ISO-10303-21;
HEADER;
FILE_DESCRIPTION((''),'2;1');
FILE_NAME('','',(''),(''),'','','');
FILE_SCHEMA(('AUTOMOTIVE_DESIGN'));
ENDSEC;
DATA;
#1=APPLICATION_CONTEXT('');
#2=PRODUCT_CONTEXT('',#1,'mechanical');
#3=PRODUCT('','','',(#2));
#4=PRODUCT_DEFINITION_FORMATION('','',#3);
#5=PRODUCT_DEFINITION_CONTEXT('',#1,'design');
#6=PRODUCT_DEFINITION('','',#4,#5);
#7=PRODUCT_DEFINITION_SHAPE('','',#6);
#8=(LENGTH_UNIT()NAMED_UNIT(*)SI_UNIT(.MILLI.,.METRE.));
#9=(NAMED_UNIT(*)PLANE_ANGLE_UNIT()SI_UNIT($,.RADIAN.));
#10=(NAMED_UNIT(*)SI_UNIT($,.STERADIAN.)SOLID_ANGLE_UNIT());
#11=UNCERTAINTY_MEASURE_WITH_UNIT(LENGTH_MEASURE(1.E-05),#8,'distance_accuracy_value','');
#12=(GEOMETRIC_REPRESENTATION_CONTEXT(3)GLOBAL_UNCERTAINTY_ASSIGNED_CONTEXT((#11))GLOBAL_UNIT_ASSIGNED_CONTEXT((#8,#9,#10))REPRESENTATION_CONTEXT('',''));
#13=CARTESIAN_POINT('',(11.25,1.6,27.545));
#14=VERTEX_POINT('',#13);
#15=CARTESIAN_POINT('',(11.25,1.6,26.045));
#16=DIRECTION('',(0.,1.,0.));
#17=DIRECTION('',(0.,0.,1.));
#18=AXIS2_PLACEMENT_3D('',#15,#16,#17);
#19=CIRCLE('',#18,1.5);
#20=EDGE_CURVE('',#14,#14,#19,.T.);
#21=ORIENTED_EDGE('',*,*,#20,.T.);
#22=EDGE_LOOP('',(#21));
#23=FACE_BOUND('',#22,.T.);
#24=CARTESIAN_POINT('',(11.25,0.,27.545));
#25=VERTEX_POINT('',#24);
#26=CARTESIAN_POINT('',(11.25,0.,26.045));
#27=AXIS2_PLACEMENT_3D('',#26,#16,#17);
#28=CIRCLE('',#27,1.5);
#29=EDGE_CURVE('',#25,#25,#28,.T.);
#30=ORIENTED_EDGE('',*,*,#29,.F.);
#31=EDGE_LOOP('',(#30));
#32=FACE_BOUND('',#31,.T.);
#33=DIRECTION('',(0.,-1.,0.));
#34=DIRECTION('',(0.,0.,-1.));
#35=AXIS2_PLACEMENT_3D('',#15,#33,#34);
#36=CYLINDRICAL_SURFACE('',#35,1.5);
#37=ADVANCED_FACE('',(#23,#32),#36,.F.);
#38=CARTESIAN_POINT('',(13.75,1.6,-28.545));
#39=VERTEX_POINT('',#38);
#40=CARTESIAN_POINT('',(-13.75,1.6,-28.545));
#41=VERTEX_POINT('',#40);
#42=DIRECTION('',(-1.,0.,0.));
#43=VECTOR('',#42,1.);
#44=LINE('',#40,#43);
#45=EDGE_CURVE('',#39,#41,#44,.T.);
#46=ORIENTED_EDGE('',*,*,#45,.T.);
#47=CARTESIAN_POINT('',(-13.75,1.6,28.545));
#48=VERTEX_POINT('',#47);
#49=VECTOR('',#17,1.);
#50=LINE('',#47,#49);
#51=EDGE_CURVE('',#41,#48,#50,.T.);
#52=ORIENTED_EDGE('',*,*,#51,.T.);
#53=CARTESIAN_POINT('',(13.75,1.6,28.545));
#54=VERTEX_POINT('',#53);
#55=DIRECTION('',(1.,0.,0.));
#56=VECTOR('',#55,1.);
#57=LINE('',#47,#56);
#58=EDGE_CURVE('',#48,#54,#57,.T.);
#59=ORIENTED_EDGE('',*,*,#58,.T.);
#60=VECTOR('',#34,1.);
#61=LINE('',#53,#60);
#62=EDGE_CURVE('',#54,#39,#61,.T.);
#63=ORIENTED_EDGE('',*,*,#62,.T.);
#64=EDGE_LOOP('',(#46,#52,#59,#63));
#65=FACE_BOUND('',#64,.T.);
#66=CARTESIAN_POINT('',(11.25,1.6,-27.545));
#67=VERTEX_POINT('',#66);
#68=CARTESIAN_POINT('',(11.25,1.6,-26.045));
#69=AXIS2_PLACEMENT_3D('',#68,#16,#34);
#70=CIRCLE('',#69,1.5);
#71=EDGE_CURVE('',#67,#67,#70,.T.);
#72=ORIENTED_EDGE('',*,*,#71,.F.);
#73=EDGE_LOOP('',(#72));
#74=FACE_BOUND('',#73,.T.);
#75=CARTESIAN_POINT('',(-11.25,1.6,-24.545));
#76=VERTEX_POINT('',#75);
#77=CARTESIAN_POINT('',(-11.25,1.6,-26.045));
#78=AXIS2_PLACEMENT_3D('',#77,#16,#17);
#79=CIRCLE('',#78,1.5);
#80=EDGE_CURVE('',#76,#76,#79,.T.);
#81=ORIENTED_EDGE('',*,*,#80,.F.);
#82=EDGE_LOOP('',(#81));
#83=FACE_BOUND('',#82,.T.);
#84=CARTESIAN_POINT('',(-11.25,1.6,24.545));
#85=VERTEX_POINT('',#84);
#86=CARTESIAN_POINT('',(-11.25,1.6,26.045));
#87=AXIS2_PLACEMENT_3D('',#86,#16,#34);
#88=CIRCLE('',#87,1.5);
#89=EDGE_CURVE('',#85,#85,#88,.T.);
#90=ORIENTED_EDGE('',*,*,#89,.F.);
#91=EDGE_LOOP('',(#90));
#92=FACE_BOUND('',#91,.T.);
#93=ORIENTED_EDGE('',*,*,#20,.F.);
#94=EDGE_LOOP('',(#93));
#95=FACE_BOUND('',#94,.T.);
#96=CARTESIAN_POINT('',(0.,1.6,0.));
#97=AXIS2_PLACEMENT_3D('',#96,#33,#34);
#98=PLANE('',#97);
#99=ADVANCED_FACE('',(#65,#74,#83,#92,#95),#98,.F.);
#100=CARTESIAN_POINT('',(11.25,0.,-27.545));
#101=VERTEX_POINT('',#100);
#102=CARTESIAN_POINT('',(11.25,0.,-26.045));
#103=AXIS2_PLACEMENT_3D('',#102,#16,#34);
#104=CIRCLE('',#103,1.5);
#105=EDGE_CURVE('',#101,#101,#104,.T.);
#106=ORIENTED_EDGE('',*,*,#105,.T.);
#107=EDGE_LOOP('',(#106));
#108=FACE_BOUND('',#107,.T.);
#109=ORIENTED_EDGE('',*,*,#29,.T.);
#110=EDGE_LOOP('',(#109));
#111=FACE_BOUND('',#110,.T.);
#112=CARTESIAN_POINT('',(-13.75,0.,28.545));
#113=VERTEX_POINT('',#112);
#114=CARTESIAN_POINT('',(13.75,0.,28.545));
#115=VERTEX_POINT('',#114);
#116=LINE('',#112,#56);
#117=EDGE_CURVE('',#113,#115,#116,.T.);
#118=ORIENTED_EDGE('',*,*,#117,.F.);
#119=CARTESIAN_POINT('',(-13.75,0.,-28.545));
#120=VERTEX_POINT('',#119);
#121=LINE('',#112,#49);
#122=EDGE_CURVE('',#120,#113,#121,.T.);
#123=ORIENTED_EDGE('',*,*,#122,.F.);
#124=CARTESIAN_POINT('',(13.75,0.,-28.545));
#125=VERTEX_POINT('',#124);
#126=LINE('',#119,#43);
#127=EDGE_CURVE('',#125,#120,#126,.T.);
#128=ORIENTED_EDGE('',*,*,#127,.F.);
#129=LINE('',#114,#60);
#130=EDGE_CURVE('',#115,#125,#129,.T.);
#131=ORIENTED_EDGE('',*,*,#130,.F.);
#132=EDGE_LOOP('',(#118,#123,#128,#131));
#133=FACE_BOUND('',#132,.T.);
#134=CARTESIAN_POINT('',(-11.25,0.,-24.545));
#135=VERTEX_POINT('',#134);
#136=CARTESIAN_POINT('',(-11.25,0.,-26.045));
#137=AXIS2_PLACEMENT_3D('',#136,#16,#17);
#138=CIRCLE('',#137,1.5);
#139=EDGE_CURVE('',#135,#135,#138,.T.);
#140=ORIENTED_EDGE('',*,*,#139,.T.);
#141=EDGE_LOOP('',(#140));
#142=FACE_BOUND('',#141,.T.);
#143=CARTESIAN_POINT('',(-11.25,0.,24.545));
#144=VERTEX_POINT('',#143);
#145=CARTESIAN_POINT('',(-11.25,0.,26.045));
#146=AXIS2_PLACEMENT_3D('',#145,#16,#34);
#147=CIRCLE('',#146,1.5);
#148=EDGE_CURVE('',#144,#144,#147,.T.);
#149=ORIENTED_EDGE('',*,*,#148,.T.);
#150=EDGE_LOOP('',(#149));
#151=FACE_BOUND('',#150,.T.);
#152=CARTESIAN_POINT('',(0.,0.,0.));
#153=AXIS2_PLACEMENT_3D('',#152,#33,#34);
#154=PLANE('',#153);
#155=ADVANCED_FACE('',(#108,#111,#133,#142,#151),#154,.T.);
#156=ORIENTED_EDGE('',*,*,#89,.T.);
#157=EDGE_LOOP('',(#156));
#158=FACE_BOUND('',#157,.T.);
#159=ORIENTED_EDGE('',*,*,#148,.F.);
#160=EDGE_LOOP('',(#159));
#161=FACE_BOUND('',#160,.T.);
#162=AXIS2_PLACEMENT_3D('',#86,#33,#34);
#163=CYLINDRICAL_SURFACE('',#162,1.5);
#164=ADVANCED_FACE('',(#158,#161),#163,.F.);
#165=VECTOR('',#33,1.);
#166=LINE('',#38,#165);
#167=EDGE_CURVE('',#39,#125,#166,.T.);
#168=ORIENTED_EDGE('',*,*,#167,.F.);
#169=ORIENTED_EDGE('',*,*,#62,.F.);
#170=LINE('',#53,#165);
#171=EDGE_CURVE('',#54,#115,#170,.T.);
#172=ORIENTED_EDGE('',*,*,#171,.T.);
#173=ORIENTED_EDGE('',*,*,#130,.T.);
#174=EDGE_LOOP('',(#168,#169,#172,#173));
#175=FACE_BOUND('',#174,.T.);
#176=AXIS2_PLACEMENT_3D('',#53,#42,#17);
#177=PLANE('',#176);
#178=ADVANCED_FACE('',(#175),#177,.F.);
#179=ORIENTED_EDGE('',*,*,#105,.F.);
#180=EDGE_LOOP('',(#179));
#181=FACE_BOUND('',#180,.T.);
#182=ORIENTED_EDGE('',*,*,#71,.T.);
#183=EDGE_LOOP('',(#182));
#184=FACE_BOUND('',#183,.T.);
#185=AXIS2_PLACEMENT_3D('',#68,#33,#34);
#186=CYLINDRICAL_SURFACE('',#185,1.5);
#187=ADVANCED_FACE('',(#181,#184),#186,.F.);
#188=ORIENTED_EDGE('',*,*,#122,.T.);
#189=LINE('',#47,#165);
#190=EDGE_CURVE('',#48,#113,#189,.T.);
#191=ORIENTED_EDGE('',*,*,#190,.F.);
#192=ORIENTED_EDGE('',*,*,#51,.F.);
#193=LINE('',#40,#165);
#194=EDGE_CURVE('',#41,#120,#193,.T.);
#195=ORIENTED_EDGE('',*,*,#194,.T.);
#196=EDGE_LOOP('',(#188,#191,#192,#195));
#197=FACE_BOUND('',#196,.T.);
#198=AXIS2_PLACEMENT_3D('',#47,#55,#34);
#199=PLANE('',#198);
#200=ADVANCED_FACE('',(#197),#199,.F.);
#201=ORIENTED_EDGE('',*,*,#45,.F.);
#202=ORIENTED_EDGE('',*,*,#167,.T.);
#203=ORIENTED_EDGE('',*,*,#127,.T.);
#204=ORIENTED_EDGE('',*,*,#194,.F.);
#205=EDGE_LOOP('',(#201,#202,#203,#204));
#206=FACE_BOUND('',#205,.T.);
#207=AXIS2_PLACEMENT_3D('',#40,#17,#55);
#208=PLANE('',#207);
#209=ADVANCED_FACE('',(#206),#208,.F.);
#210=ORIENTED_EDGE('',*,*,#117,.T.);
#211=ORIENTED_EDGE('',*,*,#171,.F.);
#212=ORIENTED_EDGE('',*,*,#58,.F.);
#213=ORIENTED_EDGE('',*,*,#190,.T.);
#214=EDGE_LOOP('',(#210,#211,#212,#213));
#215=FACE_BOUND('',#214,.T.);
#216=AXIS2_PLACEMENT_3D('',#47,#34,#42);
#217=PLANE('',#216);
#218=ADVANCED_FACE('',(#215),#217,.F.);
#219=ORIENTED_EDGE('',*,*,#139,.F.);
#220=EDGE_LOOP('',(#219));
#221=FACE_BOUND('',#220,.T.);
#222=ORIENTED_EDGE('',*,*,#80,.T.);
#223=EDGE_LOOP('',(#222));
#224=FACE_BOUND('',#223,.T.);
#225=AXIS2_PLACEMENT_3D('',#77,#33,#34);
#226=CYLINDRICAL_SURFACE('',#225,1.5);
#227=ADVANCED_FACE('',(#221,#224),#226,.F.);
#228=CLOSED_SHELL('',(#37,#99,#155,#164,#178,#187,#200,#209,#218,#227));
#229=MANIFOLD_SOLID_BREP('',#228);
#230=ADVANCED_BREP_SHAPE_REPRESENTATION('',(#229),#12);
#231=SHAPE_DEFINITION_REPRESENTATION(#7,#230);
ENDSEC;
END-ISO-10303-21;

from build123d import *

# Parameters (mm, degrees)
SKETCH1_W           = 27.5
SKETCH1_H           = 57.09
SKETCH1_R           = 1.5
BOSS_EXTRUDE1_DEPTH = 1.6


with BuildPart() as part:
    # Sketch1 → Boss-Extrude1 (new body)
    with BuildSketch(Plane(origin=(0, 0, 0), x_dir=(1, 0, 0), z_dir=(0, 1, 0))):
        Rectangle(SKETCH1_W, SKETCH1_H)
        with Locations(Location((-11.25, 26.045, 0), (0, 0, 270))):
            Circle(SKETCH1_R, mode=Mode.SUBTRACT)
        with Locations(Location((-11.25, -26.045, 0), (0, 0, 90))):
            Circle(SKETCH1_R, mode=Mode.SUBTRACT)
        with Locations(Location((11.25, 26.045, 0), (0, 0, 90))):
            Circle(SKETCH1_R, mode=Mode.SUBTRACT)
        with Locations(Location((11.25, -26.045, 0), (0, 0, 270))):
            Circle(SKETCH1_R, mode=Mode.SUBTRACT)
    extrude(amount=BOSS_EXTRUDE1_DEPTH)


solid = part.part
